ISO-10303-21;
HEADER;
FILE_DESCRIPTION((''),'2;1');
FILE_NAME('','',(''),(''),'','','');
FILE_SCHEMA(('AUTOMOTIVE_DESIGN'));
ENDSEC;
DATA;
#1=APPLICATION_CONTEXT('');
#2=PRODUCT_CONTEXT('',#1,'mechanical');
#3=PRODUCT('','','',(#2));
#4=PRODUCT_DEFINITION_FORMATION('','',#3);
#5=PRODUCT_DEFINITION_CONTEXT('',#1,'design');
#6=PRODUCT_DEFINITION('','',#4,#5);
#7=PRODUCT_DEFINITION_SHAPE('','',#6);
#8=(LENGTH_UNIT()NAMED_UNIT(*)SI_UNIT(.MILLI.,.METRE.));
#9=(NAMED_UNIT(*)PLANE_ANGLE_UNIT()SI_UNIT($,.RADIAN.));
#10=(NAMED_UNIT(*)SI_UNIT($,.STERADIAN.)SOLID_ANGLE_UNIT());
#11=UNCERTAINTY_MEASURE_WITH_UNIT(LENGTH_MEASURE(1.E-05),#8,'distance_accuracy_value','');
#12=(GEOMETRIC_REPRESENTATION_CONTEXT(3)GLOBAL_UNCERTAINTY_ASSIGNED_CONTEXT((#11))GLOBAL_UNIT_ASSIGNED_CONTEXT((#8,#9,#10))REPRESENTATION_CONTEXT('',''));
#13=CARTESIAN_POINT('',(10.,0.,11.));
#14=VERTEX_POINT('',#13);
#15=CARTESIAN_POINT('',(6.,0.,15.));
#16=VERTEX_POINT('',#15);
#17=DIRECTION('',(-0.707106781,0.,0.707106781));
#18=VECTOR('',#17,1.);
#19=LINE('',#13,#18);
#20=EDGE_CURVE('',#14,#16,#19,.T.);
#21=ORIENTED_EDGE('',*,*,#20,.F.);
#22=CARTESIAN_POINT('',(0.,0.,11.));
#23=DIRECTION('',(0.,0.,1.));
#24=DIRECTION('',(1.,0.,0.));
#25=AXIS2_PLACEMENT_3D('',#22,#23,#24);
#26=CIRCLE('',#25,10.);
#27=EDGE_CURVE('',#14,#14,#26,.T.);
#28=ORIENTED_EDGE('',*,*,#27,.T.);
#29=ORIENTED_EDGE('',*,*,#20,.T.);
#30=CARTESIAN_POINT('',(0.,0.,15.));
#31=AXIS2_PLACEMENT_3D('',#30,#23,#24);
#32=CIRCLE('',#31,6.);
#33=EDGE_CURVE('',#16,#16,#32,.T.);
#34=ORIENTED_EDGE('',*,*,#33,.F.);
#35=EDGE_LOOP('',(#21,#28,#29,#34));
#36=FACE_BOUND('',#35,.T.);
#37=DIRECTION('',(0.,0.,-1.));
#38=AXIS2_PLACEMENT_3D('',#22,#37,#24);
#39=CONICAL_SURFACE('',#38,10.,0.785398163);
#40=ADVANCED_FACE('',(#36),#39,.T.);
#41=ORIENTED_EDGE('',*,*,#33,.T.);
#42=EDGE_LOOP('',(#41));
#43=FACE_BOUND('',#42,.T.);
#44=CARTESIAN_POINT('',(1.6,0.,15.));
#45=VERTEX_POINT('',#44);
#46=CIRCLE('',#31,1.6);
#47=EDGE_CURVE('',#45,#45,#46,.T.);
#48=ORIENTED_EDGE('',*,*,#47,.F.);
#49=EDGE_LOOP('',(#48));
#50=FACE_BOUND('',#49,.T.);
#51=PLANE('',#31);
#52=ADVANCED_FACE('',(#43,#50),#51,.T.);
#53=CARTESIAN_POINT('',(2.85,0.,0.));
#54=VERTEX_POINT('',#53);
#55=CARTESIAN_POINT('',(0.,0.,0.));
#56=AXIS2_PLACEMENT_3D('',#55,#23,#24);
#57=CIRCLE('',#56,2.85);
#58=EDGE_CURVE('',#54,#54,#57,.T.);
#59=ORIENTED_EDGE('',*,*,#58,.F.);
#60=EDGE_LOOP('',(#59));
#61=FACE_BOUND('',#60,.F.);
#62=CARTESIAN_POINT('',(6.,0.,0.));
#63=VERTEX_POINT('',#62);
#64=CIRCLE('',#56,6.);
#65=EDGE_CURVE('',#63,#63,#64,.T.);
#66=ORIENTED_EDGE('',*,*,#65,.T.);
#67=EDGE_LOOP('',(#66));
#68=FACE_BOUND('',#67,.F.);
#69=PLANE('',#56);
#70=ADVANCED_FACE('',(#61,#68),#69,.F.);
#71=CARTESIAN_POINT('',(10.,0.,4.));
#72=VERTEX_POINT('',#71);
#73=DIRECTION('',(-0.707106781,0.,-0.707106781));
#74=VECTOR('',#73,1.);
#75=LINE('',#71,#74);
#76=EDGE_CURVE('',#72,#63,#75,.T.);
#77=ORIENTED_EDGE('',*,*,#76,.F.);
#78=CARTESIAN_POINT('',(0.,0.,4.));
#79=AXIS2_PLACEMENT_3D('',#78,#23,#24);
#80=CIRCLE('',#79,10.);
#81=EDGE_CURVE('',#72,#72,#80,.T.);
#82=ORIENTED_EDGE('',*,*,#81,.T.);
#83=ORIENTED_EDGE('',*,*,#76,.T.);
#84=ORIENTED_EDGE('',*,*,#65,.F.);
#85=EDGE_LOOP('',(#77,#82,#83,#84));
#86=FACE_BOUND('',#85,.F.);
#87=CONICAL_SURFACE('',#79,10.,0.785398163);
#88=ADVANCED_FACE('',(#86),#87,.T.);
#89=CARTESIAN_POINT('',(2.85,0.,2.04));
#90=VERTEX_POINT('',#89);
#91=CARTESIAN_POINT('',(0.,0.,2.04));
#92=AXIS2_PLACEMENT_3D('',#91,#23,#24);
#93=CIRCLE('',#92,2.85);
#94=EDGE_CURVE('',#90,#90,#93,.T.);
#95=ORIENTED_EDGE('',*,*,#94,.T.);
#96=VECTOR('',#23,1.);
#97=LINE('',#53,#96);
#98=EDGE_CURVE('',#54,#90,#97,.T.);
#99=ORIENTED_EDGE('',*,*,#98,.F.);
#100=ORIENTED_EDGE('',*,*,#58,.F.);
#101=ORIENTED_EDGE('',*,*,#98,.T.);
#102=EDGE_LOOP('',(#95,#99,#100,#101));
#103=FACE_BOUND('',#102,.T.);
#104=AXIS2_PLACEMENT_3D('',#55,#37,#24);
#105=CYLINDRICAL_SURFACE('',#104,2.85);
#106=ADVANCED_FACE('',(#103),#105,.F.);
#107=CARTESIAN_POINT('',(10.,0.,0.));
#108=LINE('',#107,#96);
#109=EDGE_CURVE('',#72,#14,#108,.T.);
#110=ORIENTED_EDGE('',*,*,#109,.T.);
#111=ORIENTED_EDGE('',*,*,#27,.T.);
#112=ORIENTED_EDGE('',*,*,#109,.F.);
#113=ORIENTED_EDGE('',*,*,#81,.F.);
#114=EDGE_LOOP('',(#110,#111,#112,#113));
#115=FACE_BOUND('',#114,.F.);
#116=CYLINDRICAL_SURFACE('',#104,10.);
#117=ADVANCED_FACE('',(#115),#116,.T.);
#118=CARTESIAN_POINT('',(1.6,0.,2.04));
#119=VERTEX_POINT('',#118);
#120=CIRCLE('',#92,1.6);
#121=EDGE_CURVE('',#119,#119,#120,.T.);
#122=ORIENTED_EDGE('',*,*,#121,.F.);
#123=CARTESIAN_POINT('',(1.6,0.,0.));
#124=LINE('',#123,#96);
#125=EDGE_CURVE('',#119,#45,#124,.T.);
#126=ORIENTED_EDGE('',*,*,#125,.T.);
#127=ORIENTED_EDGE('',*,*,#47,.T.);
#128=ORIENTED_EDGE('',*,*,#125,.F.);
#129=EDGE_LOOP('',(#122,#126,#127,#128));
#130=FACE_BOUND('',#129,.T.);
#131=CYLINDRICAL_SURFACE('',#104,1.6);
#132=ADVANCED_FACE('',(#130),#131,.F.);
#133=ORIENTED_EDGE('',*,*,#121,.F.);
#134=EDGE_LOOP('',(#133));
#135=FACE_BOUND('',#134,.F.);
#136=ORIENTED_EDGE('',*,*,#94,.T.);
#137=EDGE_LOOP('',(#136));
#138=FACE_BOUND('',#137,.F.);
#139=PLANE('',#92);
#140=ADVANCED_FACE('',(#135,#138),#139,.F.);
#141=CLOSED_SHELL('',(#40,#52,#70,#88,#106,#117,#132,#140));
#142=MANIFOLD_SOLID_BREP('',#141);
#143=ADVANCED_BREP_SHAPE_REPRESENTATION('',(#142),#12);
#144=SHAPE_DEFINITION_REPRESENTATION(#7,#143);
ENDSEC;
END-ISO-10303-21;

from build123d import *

# Parameters (mm, degrees)
F0_R     = 10
F0_R_2   = 2.85
F0_R_3   = 1.6
F1_DEPTH = 15
F2_SIZE  = 4
F3_DEPTH = 2.04


with BuildPart() as f1:
    # F0 (on Top) → F1 (new body)
    with BuildSketch(Plane.XY):
        Circle(F0_R)
        Circle(F0_R_2, mode=Mode.SUBTRACT)
        Circle(F0_R_2)
        Circle(F0_R_3, mode=Mode.SUBTRACT)
    extrude(amount=F1_DEPTH)

    # F2
    f2_edges = [f1.edges().sort_by_distance(p)[0] for p in [
        (10, 0, 7.5),
        (-10, 0, 0),
        (-10, 0, 15),
    ]]
    chamfer(f2_edges, length=F2_SIZE)

    # F0 (on Top) → F3 (cut)
    with BuildSketch(Plane.XY):
        Circle(F0_R_2)
        Circle(F0_R_3, mode=Mode.SUBTRACT)
    extrude(amount=F3_DEPTH, mode=Mode.SUBTRACT)


solid = f1.part
